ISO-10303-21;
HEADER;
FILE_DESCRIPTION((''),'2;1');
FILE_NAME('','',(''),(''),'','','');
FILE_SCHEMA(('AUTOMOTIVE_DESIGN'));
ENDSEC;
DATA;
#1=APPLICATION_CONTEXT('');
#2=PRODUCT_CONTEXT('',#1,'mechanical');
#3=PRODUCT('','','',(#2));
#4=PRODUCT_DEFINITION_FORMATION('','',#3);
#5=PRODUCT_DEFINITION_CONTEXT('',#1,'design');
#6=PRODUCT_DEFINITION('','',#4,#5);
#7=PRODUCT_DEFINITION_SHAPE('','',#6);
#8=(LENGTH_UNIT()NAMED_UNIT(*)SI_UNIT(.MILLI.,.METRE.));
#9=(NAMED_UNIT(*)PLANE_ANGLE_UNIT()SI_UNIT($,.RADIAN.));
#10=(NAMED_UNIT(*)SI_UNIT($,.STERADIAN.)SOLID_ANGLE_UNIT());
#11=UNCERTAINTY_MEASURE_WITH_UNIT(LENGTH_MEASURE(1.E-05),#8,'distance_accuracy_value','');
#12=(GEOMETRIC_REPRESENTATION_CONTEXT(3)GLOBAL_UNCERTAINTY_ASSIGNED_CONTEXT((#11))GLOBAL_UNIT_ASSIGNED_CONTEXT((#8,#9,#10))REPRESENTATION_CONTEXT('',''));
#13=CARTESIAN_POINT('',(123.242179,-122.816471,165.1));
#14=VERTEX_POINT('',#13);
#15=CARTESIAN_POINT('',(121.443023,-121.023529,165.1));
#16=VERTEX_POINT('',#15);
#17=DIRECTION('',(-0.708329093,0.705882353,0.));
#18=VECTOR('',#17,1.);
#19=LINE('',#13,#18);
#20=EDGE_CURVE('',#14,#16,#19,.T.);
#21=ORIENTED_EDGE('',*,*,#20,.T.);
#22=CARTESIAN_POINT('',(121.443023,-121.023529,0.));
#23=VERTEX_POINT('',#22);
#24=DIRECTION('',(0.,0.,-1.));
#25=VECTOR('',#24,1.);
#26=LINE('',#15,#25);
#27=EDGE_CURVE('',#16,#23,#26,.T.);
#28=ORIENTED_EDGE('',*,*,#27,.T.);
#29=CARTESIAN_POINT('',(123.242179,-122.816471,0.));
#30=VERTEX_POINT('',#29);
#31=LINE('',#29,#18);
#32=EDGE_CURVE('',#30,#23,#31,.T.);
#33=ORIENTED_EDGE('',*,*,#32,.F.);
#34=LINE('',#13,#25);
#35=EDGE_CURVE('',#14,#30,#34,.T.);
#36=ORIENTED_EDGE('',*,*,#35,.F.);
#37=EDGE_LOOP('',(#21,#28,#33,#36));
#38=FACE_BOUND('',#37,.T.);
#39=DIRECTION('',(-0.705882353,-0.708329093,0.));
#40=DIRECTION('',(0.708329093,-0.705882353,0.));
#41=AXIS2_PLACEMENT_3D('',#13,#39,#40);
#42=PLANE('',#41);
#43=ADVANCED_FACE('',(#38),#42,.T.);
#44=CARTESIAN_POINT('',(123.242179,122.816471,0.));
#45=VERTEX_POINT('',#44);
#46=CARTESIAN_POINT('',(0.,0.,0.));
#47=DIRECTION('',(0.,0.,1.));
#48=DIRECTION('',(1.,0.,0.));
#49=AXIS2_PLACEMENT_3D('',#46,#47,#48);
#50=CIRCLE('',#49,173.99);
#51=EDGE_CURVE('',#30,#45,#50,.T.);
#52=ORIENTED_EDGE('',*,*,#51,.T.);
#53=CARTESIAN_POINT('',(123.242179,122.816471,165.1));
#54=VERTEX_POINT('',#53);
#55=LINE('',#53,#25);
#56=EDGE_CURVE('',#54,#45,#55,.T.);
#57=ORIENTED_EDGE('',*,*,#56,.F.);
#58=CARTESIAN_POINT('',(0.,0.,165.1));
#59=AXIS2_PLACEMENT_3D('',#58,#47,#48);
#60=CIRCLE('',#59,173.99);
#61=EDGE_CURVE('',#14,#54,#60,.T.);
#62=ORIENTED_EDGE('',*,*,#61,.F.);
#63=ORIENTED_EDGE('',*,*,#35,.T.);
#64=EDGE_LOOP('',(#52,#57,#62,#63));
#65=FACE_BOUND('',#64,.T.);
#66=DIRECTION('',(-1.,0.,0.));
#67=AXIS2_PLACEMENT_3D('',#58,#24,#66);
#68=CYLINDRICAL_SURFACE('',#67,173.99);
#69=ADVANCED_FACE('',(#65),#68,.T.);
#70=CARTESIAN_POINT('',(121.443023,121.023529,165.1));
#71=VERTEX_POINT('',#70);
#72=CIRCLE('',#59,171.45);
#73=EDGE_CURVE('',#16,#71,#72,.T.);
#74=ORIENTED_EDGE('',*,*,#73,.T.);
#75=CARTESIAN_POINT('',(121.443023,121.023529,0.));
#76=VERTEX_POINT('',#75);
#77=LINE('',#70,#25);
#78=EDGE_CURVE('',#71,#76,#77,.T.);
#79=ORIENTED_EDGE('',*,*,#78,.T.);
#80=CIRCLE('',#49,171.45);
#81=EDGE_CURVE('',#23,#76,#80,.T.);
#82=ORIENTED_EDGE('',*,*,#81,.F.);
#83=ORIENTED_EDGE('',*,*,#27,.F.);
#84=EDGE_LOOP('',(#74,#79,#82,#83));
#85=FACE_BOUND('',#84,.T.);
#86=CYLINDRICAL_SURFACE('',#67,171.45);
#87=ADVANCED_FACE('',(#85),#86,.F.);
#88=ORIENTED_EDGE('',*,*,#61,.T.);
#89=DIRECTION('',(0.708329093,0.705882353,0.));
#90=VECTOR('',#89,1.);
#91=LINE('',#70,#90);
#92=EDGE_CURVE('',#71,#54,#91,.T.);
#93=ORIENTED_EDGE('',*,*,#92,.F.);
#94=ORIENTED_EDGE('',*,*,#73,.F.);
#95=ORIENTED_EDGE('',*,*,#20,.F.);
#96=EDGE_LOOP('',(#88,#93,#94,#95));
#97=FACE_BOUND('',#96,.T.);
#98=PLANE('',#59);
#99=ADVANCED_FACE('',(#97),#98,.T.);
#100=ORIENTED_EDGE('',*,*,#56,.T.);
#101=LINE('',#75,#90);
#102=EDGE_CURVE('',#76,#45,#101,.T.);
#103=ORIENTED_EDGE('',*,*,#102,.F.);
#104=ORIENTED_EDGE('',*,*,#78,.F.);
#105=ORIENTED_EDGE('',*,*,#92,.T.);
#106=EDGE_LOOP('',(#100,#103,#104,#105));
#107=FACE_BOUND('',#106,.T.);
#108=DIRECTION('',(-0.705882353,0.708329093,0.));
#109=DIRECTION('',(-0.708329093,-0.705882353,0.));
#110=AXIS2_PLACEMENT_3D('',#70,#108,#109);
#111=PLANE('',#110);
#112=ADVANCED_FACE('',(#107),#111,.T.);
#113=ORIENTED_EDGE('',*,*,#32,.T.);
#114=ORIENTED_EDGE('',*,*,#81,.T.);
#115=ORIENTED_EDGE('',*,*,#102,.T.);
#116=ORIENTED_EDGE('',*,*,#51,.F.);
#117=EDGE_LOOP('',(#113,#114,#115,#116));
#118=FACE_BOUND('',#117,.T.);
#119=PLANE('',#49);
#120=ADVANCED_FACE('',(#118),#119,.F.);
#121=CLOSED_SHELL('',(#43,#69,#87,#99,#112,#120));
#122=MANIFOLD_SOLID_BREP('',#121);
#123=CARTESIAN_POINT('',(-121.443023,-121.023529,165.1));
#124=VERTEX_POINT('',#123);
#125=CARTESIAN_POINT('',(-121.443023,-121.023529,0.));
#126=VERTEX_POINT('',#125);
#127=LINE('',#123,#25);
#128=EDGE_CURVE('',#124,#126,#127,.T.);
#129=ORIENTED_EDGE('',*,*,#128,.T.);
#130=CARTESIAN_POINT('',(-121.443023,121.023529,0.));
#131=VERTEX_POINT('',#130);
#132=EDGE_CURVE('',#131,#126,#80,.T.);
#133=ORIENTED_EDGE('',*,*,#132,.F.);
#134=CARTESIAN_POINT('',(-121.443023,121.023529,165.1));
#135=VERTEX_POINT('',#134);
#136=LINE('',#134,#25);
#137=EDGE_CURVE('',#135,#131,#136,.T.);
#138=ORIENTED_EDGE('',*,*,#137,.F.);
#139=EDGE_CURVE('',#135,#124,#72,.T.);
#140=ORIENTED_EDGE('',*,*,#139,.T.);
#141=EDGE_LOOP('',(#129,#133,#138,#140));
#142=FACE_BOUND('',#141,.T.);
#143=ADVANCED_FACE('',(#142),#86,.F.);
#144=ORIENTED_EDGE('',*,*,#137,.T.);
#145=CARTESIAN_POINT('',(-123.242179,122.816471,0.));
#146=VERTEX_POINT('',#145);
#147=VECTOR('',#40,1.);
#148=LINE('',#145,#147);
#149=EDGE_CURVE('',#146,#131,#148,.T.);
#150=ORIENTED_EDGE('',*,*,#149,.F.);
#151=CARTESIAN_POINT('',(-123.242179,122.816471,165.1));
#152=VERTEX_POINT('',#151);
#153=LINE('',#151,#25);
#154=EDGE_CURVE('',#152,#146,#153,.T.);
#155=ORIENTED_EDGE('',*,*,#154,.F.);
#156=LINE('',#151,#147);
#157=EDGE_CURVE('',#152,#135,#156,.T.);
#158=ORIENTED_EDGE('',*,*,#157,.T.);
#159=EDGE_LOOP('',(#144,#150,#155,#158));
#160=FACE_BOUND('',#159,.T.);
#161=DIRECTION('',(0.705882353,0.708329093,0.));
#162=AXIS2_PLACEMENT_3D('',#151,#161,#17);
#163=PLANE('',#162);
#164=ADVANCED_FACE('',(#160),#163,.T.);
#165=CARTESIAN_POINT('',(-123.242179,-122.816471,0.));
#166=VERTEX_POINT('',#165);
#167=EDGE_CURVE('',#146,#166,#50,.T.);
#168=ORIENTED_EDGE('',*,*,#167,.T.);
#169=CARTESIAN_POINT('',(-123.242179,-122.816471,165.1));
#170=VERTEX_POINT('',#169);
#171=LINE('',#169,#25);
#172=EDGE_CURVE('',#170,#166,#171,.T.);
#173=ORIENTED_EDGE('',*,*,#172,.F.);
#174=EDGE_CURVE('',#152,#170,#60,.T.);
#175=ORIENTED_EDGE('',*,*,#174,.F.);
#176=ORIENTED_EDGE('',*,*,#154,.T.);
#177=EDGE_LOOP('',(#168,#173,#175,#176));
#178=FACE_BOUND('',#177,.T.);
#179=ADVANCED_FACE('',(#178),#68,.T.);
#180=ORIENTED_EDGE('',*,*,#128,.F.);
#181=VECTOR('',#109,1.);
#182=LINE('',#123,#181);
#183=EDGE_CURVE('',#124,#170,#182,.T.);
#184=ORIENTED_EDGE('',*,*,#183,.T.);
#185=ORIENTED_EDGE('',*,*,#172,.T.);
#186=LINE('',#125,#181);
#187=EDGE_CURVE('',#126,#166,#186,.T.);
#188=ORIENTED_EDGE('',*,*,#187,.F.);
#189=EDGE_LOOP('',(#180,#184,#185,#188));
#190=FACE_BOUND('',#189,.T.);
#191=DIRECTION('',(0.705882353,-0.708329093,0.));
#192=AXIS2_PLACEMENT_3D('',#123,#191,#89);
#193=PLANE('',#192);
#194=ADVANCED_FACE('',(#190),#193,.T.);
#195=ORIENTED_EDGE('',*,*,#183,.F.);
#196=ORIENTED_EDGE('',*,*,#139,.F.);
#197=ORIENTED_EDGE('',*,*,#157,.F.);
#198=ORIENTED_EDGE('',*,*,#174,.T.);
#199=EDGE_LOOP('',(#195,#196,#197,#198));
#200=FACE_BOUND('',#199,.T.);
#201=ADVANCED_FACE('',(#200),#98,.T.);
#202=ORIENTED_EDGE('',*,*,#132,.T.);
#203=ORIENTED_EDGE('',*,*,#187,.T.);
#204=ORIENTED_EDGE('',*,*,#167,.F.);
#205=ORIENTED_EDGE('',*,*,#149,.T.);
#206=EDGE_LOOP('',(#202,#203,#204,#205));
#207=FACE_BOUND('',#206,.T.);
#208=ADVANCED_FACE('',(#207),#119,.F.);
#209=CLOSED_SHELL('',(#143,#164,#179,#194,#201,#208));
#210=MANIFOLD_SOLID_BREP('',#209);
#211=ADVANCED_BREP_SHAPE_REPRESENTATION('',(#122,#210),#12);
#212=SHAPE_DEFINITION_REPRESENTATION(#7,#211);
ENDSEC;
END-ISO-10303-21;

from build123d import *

# Parameters (mm, degrees)
EXTRUDE_THIN1_DEPTH   = 165.1
EXTRUDE_THIN1_2_DEPTH = 165.1


with BuildPart() as part:
    # Sketch1 → Extrude-Thin1 (new body)
    with BuildSketch(Plane.XY):
        with BuildLine():
            ThreePointArc((-123.242178868, 122.816470588), (-173.99, 0), (-123.242178868, -122.816470588))
            Line((-123.242178868, -122.816470588), (-121.443022973, -121.023529412))
            ThreePointArc((-121.443022973, -121.023529412), (-171.45, 0), (-121.443022973, 121.023529412))
            Line((-121.443022973, 121.023529412), (-123.242178868, 122.816470588))
        make_face()
    extrude(amount=EXTRUDE_THIN1_DEPTH)


with BuildPart() as body_2:
    # Sketch1 → Extrude-Thin1 2 (new body)
    with BuildSketch(Plane.XY):
        with BuildLine():
            ThreePointArc((123.242178868, -122.816470588), (173.99, 0), (123.242178868, 122.816470588))
            Line((123.242178868, 122.816470588), (121.443022973, 121.023529412))
            ThreePointArc((121.443022973, 121.023529412), (171.45, 0), (121.443022973, -121.023529412))
            Line((121.443022973, -121.023529412), (123.242178868, -122.816470588))
        make_face()
    extrude(amount=EXTRUDE_THIN1_2_DEPTH)


solid = Compound([part.part, body_2.part])
